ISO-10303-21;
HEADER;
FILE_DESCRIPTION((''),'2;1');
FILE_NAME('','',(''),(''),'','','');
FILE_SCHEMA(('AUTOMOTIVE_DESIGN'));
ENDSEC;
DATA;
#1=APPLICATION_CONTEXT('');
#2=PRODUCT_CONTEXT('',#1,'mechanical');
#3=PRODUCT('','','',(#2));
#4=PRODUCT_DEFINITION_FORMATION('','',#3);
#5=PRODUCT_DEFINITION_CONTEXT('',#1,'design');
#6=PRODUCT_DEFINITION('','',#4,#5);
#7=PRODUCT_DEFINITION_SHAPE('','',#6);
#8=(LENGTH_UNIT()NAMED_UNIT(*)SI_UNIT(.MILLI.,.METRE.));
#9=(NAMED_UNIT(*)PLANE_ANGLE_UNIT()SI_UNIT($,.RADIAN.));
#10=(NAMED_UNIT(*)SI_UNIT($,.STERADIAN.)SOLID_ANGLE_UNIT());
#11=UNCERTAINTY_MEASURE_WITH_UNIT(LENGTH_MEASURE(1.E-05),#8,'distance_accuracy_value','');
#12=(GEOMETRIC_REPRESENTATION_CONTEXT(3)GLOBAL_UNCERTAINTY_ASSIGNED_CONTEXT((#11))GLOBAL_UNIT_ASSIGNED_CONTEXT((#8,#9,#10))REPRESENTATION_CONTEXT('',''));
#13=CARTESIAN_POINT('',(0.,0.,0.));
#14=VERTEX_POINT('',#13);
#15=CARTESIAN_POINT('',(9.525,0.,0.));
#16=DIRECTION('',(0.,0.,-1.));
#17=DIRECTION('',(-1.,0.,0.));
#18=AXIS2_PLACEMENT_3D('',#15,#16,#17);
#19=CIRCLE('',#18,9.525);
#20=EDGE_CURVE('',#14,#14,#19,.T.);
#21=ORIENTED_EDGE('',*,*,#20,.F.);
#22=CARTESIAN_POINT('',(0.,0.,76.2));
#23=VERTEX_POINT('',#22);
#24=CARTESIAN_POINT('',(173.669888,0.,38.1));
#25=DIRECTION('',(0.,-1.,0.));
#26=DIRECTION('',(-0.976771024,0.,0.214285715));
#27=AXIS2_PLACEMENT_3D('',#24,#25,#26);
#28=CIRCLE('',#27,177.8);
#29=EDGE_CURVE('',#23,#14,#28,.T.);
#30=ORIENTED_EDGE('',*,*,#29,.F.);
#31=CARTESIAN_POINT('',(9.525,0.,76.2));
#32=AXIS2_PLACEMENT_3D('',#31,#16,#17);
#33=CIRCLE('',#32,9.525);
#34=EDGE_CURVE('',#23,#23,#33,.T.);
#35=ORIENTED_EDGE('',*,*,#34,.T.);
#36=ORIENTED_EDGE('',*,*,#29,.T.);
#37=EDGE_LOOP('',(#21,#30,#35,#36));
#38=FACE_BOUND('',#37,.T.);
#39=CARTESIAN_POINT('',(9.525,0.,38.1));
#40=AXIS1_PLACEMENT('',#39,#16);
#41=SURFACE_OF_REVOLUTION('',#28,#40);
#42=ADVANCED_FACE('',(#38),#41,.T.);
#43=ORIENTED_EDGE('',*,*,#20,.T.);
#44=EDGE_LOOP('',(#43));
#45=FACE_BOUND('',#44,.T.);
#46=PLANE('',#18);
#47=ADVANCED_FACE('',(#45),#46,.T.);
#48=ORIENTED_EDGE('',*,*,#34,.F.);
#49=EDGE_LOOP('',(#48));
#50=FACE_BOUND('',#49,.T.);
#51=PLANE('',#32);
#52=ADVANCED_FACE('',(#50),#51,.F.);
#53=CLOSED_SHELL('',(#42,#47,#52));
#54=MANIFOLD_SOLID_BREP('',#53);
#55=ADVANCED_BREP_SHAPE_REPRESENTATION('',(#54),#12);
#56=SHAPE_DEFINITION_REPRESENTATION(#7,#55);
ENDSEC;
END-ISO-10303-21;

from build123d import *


with BuildPart() as f1:
    # F0 (on Front) → F1 (revolve)
    with BuildSketch(Plane.XZ):
        with BuildLine():
            Line((9.525, 76.2), (0, 76.2))
            ThreePointArc((0, 76.2), (-4.130112, 38.1), (0, 0))
            Line((0, 0), (9.525, 0))
            Line((9.525, 0), (9.525, 76.2))
        make_face()
    revolve(axis=Axis((9.525, 0, 38.1), (0, 0, -1)))


solid = f1.part
